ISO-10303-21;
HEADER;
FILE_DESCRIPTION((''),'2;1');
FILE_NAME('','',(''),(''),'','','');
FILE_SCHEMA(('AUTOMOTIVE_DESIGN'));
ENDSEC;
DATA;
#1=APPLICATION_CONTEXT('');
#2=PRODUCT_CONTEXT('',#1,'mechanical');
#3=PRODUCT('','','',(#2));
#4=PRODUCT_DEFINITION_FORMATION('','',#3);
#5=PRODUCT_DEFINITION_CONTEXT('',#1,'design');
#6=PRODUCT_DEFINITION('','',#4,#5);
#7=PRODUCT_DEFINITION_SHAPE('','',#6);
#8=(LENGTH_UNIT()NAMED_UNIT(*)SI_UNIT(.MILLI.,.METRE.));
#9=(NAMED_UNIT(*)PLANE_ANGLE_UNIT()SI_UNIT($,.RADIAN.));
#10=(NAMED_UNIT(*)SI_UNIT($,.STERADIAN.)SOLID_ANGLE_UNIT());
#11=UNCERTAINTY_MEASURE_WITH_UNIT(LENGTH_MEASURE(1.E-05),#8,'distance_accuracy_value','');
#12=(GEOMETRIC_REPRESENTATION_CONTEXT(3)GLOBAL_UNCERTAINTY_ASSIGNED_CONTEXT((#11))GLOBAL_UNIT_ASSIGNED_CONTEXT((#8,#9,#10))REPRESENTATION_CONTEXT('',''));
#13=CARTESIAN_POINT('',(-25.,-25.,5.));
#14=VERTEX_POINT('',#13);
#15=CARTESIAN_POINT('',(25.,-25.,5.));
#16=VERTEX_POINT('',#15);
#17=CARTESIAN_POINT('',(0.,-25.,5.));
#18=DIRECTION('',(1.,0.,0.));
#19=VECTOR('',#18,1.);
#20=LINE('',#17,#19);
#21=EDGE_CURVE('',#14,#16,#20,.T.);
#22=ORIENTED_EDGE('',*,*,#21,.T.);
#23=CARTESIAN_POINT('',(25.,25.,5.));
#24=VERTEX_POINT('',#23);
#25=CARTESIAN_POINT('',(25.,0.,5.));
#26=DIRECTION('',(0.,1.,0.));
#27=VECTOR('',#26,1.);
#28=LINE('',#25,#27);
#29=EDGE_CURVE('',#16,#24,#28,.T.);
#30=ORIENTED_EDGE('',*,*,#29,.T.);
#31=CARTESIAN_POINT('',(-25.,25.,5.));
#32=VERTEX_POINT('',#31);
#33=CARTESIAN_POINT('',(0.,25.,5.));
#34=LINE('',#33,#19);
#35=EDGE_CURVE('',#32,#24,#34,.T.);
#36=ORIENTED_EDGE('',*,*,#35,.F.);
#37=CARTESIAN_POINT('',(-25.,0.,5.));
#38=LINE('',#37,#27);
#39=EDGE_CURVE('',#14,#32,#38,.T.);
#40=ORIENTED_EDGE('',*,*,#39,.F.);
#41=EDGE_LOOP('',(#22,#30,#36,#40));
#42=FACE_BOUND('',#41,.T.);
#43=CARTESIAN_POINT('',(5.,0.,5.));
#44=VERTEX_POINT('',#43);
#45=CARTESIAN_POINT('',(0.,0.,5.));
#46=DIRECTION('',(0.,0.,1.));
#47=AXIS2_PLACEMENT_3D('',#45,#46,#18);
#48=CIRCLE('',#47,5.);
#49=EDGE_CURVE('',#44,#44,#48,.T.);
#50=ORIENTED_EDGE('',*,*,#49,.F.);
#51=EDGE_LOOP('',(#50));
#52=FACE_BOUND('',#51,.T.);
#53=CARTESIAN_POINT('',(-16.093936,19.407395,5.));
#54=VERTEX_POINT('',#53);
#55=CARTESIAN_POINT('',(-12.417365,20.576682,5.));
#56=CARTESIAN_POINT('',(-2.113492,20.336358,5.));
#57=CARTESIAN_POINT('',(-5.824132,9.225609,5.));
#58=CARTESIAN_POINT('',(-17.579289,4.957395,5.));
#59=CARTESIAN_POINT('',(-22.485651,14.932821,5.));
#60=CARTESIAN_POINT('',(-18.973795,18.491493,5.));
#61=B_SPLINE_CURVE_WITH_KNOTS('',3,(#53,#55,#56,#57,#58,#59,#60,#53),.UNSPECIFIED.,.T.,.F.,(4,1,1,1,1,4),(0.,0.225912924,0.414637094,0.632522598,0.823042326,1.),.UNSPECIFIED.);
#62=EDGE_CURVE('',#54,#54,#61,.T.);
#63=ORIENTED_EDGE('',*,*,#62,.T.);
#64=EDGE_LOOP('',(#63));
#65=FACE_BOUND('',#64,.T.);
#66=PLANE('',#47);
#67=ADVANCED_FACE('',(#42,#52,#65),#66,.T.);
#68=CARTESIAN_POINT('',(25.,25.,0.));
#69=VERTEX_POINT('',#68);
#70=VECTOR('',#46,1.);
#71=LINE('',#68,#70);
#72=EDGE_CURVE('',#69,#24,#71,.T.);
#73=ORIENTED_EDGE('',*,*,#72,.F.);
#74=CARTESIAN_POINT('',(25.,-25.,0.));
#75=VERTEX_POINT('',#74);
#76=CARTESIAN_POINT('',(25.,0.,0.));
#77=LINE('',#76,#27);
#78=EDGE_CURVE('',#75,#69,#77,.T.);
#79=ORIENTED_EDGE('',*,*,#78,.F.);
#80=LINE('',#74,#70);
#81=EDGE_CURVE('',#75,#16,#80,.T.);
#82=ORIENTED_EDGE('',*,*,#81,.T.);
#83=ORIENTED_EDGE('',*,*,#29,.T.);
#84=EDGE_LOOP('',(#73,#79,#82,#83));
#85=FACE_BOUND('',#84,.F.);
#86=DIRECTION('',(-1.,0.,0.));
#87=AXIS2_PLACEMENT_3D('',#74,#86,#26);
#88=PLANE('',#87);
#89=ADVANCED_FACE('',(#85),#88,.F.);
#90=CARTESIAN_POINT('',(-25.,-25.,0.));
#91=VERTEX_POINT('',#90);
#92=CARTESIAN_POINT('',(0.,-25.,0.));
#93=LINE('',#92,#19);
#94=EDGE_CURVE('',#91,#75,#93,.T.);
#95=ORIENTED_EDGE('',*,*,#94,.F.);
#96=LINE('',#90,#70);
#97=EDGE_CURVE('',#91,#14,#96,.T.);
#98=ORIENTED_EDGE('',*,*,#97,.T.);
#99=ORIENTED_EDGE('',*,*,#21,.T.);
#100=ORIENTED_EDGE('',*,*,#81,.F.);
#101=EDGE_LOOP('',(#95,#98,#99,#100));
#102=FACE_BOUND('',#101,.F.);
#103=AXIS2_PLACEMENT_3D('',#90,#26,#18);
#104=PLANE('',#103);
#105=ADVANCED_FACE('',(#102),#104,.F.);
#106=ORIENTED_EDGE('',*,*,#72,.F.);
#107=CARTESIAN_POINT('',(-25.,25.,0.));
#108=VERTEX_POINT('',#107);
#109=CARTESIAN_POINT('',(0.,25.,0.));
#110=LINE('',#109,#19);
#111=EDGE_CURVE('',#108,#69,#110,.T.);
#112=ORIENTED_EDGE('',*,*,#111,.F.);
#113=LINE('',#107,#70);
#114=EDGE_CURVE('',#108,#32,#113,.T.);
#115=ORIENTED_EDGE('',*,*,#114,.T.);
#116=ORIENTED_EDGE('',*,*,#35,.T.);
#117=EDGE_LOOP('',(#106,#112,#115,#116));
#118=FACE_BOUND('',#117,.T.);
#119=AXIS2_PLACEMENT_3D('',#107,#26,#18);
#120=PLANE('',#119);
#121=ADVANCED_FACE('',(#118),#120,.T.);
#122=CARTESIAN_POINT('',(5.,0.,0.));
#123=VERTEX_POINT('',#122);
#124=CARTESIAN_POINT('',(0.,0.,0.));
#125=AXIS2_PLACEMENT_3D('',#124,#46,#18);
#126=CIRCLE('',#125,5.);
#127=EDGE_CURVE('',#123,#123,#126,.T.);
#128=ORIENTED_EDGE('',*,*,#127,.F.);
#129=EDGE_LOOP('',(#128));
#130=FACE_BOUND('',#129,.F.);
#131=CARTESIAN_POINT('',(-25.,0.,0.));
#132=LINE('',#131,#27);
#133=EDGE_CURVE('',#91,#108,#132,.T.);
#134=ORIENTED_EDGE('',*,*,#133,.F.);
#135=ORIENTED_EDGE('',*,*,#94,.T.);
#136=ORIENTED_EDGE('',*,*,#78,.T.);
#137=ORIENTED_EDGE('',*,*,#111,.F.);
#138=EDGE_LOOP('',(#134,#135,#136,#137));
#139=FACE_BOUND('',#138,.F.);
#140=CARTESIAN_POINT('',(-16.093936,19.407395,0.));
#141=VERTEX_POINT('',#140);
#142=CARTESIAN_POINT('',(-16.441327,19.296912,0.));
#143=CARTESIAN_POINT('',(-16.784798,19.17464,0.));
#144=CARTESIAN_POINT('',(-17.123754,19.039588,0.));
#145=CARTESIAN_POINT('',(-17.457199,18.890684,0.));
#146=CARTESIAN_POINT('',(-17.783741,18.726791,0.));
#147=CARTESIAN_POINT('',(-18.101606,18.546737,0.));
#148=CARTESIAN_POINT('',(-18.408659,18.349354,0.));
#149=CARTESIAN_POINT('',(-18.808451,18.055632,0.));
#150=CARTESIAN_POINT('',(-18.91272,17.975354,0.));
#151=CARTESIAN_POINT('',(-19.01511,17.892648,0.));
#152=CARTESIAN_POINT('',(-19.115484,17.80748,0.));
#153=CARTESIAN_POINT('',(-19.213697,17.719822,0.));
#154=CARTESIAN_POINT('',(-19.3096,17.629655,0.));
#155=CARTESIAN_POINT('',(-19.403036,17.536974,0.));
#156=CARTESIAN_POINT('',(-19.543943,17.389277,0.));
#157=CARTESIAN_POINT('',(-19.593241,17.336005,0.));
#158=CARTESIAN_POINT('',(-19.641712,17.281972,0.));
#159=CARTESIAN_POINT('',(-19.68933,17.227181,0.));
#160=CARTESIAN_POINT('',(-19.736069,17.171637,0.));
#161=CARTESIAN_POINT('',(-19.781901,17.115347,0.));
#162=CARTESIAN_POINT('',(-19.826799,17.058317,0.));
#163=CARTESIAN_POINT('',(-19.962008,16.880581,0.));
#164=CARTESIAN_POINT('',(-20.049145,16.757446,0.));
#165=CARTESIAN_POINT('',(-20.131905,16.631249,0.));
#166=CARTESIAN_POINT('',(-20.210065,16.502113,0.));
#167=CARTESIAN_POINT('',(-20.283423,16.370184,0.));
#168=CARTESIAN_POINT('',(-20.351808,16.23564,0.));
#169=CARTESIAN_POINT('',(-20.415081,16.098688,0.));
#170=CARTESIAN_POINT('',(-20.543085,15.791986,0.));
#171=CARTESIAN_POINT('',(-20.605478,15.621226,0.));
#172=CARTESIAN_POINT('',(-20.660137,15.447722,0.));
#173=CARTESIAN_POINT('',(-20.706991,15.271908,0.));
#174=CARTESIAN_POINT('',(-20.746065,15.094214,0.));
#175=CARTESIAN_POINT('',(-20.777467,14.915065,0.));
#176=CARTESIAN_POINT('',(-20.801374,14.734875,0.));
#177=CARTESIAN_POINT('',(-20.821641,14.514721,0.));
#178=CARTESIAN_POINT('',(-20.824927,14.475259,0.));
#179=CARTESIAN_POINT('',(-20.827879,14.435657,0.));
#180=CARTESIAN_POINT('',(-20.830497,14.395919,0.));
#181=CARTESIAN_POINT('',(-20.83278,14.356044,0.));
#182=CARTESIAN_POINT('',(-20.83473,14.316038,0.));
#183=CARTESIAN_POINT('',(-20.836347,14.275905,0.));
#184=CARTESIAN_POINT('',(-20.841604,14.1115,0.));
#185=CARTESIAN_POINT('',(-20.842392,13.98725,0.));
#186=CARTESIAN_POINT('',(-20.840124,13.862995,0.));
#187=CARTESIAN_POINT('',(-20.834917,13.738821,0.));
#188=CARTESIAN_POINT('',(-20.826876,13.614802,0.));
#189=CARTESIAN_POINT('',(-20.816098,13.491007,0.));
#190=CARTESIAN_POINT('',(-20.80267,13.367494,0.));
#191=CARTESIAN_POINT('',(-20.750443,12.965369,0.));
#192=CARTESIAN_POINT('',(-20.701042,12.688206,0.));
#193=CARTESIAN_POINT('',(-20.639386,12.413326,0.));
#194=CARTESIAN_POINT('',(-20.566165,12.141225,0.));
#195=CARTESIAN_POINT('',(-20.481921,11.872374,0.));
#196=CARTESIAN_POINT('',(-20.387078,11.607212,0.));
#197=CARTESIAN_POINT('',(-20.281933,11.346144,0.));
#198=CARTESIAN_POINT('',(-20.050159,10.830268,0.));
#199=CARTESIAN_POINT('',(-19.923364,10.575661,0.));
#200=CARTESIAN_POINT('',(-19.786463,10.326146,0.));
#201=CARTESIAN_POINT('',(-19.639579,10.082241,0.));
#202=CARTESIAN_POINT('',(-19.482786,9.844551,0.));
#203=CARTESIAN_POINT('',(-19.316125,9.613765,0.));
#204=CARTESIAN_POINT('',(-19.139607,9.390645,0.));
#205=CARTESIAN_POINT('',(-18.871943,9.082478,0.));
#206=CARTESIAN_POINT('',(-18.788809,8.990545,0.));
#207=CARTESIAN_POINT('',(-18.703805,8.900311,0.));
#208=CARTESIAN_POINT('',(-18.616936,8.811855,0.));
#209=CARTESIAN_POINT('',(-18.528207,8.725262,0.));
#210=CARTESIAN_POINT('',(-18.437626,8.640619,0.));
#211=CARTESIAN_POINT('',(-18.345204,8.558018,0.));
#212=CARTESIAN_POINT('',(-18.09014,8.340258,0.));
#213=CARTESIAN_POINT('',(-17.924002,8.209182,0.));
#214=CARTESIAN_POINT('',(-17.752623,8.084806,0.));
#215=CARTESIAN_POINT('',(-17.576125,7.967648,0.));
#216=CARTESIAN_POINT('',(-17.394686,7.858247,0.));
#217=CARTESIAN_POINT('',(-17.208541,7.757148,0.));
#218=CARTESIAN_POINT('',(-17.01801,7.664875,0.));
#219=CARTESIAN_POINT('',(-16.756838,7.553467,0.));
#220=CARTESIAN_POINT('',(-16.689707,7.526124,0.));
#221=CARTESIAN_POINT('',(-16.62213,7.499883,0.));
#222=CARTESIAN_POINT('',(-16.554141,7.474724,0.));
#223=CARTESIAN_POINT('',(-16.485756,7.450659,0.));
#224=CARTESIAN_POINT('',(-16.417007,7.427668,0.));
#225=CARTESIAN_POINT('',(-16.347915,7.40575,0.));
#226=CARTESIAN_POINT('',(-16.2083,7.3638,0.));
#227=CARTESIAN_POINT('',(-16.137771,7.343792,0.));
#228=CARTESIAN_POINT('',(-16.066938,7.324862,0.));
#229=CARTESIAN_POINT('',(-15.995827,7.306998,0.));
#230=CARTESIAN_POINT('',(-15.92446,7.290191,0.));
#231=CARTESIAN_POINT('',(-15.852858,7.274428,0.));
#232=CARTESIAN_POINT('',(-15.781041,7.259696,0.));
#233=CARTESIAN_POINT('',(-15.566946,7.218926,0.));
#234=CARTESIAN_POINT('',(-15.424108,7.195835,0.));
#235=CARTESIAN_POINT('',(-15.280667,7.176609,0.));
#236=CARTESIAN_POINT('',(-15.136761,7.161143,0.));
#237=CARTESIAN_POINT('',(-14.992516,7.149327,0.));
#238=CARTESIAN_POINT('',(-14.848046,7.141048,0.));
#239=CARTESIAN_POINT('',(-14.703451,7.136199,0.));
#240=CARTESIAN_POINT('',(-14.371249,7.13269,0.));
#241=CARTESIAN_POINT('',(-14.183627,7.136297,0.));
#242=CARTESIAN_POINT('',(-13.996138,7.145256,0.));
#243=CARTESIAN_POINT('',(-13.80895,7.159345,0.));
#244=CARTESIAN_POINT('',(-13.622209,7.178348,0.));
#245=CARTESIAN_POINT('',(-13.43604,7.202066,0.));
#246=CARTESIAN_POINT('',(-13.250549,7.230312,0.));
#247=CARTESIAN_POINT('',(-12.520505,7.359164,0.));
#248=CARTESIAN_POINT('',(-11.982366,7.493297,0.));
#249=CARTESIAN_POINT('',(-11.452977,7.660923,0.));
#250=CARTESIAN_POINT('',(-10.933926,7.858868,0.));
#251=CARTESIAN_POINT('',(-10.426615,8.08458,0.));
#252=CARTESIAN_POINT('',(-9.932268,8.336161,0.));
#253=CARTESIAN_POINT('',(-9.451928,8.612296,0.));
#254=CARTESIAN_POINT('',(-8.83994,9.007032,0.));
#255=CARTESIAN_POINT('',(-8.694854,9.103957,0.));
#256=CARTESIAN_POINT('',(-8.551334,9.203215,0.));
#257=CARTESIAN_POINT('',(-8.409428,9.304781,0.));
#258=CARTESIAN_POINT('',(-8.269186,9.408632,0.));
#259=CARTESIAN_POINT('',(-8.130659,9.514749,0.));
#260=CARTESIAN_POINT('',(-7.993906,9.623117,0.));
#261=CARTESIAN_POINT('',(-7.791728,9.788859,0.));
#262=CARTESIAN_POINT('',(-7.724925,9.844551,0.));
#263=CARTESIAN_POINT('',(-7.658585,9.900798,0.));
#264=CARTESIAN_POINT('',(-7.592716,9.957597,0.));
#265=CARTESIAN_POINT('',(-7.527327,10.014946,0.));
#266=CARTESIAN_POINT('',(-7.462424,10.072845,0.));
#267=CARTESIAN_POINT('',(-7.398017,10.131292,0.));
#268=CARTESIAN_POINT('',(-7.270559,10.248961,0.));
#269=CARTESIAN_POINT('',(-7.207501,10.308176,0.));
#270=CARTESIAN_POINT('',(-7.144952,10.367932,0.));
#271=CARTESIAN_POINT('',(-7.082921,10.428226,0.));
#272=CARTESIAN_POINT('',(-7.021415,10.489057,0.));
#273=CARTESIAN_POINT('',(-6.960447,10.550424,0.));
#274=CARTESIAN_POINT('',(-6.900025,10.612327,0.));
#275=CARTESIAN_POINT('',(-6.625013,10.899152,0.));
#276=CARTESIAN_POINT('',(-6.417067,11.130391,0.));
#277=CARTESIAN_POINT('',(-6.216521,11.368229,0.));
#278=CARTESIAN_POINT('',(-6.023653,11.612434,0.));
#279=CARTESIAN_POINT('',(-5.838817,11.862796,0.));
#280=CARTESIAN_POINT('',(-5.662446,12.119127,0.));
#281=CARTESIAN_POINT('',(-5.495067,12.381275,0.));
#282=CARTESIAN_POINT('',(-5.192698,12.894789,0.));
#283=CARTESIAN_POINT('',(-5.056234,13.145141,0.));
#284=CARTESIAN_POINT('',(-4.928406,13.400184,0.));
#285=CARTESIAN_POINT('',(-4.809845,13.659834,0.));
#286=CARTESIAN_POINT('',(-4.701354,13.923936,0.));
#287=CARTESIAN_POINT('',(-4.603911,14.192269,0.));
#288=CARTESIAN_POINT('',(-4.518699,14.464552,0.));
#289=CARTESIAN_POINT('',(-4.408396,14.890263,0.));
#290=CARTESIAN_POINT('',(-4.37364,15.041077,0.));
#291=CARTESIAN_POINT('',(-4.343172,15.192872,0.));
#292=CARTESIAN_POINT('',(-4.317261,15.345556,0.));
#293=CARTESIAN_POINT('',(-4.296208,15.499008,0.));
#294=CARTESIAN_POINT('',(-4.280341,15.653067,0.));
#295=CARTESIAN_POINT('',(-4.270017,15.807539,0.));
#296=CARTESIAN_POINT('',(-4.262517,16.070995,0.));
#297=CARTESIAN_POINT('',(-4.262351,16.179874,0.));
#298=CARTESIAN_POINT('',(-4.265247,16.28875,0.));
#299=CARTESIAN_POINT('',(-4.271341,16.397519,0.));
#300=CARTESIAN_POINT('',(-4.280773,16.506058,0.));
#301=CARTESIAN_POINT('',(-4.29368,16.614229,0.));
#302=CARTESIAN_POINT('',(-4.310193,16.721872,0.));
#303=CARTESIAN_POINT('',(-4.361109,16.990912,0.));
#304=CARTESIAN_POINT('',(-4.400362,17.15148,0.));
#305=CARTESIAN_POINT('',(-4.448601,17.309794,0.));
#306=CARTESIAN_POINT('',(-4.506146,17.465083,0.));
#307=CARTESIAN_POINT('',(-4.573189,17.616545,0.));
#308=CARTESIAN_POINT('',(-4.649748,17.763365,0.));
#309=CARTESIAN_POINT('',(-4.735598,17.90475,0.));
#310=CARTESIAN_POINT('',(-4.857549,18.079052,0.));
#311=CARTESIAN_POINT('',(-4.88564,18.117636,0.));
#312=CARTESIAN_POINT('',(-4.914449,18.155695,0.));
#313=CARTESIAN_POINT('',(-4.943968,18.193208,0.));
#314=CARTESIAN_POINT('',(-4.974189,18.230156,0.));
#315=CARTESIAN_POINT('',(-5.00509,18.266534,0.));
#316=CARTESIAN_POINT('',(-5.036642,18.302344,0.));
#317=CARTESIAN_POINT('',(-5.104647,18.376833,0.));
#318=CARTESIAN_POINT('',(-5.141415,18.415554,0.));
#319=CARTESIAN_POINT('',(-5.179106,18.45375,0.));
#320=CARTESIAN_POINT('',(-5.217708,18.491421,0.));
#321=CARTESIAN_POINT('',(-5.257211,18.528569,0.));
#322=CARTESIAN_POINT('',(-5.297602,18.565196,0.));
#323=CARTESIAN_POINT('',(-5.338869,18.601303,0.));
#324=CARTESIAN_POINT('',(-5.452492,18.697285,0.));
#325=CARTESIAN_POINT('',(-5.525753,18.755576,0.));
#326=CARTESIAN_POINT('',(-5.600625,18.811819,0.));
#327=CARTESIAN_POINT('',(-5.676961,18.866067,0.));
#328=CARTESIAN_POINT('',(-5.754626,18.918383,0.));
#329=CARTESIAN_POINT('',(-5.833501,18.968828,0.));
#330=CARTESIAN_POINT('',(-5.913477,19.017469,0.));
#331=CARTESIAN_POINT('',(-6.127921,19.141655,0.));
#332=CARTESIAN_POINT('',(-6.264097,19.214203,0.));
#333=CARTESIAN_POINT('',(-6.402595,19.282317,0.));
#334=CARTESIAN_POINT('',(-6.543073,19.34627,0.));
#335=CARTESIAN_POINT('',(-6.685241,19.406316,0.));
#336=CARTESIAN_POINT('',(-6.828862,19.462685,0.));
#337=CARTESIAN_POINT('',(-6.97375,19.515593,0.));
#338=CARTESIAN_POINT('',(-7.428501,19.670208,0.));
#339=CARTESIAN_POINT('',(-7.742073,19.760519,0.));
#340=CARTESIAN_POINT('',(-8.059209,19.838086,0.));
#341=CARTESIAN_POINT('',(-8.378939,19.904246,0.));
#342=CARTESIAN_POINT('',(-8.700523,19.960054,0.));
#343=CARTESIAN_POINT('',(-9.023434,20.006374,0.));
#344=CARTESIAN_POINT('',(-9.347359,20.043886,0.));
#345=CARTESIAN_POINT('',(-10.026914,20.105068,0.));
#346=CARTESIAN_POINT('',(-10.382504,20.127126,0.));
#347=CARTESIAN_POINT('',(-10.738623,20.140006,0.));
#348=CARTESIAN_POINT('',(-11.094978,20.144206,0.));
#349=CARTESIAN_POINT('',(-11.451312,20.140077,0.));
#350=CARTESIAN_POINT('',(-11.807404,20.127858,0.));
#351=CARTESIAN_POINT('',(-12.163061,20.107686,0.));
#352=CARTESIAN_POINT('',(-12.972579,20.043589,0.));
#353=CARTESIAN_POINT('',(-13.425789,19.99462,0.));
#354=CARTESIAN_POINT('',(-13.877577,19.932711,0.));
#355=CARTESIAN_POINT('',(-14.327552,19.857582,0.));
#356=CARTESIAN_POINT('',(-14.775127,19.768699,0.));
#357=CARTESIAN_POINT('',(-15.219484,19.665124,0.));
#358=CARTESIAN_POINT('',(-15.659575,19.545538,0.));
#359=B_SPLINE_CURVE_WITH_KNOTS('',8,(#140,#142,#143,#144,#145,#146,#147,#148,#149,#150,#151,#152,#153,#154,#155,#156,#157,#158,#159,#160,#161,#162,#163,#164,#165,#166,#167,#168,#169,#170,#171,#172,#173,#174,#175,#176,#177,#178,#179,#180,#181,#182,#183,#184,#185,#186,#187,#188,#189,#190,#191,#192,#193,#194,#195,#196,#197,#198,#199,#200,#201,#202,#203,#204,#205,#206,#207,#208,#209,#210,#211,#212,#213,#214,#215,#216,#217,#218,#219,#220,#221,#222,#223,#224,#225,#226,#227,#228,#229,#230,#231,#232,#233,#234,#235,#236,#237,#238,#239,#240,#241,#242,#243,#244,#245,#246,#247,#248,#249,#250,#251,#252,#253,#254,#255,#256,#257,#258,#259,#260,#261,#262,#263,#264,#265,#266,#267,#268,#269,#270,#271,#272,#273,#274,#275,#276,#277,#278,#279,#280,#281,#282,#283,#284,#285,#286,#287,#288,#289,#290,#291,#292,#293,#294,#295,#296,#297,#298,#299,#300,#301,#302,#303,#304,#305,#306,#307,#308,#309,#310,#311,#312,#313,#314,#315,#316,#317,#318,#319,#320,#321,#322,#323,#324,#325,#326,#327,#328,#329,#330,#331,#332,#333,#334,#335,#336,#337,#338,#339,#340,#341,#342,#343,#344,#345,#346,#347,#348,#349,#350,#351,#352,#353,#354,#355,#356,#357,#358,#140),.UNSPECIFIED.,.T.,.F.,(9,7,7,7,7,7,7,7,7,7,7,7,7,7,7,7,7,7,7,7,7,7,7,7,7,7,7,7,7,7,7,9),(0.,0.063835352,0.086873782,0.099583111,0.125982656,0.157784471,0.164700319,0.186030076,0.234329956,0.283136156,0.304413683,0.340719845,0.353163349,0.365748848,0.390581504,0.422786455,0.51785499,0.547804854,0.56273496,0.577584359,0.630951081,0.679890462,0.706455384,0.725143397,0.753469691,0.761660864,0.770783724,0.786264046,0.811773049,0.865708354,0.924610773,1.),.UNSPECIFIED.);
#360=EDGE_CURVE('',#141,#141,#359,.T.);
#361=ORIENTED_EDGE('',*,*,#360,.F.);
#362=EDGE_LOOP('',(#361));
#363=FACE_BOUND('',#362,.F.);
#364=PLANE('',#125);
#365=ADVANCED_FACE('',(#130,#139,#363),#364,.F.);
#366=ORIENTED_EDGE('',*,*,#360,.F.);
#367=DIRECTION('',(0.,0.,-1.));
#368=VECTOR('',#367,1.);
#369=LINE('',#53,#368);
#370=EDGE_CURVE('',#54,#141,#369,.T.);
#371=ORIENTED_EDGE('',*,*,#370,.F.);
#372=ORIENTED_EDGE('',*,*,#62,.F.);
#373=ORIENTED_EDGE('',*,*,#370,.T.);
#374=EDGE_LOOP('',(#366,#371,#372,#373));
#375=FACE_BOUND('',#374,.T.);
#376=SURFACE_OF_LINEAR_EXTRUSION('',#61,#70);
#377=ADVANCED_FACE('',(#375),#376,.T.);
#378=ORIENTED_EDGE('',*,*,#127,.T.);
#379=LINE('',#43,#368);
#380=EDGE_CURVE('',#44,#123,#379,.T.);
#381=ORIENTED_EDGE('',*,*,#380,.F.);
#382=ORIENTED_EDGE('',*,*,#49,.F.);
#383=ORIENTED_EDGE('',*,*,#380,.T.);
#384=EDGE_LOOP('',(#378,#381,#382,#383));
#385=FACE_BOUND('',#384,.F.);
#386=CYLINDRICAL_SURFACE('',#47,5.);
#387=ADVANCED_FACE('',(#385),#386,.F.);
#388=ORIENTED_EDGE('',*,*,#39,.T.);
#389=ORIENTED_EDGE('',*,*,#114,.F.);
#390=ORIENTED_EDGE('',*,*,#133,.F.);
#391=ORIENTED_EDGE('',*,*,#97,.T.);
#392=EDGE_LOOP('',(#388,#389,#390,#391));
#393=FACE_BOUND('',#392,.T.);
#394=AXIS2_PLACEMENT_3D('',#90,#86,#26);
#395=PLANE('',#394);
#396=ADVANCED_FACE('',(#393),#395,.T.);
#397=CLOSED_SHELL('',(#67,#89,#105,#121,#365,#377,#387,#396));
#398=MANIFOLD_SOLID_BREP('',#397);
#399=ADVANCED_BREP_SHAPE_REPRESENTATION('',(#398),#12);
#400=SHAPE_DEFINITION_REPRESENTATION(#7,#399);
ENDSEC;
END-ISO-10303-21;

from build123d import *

# Parameters (mm, degrees)
F0_W     = 50
F0_H     = 50
F1_DEPTH = 5
F2_R     = 5
F3_DEPTH = 25
F5_DEPTH = 25


with BuildPart() as f1:
    # F0 (on Top) → F1 (new body)
    with BuildSketch(Plane.XY):
        Rectangle(F0_W, F0_H)
    extrude(amount=F1_DEPTH)

    # F2 (on face) → F3 (cut)
    with BuildSketch(Plane.XY.offset(5)):
        Circle(F2_R)
    extrude(amount=-F3_DEPTH, mode=Mode.SUBTRACT)

    # F4 (on face) → F5 (cut)
    with BuildSketch(Plane.XY.offset(5)):
        with BuildLine():
            add(Edge.make_bspline(
                [(-16.0939358175, 19.4073952734), (-12.4173646388, 20.576681651), (-2.1134920052, 20.3363583902), (-5.8241318664, 9.2256089441), (-17.5792885427, 4.957394915), (-22.4856509352, 14.9328212493), (-18.9737953325, 18.491492837), (-16.0939358175, 19.4073952734)],
                knots=[0, 0, 0, 0, 0.2259129236, 0.4146370942, 0.6325225982, 0.8230423264, 1, 1, 1, 1], degree=3))
        make_face()
    extrude(amount=-F5_DEPTH, mode=Mode.SUBTRACT)


solid = f1.part
